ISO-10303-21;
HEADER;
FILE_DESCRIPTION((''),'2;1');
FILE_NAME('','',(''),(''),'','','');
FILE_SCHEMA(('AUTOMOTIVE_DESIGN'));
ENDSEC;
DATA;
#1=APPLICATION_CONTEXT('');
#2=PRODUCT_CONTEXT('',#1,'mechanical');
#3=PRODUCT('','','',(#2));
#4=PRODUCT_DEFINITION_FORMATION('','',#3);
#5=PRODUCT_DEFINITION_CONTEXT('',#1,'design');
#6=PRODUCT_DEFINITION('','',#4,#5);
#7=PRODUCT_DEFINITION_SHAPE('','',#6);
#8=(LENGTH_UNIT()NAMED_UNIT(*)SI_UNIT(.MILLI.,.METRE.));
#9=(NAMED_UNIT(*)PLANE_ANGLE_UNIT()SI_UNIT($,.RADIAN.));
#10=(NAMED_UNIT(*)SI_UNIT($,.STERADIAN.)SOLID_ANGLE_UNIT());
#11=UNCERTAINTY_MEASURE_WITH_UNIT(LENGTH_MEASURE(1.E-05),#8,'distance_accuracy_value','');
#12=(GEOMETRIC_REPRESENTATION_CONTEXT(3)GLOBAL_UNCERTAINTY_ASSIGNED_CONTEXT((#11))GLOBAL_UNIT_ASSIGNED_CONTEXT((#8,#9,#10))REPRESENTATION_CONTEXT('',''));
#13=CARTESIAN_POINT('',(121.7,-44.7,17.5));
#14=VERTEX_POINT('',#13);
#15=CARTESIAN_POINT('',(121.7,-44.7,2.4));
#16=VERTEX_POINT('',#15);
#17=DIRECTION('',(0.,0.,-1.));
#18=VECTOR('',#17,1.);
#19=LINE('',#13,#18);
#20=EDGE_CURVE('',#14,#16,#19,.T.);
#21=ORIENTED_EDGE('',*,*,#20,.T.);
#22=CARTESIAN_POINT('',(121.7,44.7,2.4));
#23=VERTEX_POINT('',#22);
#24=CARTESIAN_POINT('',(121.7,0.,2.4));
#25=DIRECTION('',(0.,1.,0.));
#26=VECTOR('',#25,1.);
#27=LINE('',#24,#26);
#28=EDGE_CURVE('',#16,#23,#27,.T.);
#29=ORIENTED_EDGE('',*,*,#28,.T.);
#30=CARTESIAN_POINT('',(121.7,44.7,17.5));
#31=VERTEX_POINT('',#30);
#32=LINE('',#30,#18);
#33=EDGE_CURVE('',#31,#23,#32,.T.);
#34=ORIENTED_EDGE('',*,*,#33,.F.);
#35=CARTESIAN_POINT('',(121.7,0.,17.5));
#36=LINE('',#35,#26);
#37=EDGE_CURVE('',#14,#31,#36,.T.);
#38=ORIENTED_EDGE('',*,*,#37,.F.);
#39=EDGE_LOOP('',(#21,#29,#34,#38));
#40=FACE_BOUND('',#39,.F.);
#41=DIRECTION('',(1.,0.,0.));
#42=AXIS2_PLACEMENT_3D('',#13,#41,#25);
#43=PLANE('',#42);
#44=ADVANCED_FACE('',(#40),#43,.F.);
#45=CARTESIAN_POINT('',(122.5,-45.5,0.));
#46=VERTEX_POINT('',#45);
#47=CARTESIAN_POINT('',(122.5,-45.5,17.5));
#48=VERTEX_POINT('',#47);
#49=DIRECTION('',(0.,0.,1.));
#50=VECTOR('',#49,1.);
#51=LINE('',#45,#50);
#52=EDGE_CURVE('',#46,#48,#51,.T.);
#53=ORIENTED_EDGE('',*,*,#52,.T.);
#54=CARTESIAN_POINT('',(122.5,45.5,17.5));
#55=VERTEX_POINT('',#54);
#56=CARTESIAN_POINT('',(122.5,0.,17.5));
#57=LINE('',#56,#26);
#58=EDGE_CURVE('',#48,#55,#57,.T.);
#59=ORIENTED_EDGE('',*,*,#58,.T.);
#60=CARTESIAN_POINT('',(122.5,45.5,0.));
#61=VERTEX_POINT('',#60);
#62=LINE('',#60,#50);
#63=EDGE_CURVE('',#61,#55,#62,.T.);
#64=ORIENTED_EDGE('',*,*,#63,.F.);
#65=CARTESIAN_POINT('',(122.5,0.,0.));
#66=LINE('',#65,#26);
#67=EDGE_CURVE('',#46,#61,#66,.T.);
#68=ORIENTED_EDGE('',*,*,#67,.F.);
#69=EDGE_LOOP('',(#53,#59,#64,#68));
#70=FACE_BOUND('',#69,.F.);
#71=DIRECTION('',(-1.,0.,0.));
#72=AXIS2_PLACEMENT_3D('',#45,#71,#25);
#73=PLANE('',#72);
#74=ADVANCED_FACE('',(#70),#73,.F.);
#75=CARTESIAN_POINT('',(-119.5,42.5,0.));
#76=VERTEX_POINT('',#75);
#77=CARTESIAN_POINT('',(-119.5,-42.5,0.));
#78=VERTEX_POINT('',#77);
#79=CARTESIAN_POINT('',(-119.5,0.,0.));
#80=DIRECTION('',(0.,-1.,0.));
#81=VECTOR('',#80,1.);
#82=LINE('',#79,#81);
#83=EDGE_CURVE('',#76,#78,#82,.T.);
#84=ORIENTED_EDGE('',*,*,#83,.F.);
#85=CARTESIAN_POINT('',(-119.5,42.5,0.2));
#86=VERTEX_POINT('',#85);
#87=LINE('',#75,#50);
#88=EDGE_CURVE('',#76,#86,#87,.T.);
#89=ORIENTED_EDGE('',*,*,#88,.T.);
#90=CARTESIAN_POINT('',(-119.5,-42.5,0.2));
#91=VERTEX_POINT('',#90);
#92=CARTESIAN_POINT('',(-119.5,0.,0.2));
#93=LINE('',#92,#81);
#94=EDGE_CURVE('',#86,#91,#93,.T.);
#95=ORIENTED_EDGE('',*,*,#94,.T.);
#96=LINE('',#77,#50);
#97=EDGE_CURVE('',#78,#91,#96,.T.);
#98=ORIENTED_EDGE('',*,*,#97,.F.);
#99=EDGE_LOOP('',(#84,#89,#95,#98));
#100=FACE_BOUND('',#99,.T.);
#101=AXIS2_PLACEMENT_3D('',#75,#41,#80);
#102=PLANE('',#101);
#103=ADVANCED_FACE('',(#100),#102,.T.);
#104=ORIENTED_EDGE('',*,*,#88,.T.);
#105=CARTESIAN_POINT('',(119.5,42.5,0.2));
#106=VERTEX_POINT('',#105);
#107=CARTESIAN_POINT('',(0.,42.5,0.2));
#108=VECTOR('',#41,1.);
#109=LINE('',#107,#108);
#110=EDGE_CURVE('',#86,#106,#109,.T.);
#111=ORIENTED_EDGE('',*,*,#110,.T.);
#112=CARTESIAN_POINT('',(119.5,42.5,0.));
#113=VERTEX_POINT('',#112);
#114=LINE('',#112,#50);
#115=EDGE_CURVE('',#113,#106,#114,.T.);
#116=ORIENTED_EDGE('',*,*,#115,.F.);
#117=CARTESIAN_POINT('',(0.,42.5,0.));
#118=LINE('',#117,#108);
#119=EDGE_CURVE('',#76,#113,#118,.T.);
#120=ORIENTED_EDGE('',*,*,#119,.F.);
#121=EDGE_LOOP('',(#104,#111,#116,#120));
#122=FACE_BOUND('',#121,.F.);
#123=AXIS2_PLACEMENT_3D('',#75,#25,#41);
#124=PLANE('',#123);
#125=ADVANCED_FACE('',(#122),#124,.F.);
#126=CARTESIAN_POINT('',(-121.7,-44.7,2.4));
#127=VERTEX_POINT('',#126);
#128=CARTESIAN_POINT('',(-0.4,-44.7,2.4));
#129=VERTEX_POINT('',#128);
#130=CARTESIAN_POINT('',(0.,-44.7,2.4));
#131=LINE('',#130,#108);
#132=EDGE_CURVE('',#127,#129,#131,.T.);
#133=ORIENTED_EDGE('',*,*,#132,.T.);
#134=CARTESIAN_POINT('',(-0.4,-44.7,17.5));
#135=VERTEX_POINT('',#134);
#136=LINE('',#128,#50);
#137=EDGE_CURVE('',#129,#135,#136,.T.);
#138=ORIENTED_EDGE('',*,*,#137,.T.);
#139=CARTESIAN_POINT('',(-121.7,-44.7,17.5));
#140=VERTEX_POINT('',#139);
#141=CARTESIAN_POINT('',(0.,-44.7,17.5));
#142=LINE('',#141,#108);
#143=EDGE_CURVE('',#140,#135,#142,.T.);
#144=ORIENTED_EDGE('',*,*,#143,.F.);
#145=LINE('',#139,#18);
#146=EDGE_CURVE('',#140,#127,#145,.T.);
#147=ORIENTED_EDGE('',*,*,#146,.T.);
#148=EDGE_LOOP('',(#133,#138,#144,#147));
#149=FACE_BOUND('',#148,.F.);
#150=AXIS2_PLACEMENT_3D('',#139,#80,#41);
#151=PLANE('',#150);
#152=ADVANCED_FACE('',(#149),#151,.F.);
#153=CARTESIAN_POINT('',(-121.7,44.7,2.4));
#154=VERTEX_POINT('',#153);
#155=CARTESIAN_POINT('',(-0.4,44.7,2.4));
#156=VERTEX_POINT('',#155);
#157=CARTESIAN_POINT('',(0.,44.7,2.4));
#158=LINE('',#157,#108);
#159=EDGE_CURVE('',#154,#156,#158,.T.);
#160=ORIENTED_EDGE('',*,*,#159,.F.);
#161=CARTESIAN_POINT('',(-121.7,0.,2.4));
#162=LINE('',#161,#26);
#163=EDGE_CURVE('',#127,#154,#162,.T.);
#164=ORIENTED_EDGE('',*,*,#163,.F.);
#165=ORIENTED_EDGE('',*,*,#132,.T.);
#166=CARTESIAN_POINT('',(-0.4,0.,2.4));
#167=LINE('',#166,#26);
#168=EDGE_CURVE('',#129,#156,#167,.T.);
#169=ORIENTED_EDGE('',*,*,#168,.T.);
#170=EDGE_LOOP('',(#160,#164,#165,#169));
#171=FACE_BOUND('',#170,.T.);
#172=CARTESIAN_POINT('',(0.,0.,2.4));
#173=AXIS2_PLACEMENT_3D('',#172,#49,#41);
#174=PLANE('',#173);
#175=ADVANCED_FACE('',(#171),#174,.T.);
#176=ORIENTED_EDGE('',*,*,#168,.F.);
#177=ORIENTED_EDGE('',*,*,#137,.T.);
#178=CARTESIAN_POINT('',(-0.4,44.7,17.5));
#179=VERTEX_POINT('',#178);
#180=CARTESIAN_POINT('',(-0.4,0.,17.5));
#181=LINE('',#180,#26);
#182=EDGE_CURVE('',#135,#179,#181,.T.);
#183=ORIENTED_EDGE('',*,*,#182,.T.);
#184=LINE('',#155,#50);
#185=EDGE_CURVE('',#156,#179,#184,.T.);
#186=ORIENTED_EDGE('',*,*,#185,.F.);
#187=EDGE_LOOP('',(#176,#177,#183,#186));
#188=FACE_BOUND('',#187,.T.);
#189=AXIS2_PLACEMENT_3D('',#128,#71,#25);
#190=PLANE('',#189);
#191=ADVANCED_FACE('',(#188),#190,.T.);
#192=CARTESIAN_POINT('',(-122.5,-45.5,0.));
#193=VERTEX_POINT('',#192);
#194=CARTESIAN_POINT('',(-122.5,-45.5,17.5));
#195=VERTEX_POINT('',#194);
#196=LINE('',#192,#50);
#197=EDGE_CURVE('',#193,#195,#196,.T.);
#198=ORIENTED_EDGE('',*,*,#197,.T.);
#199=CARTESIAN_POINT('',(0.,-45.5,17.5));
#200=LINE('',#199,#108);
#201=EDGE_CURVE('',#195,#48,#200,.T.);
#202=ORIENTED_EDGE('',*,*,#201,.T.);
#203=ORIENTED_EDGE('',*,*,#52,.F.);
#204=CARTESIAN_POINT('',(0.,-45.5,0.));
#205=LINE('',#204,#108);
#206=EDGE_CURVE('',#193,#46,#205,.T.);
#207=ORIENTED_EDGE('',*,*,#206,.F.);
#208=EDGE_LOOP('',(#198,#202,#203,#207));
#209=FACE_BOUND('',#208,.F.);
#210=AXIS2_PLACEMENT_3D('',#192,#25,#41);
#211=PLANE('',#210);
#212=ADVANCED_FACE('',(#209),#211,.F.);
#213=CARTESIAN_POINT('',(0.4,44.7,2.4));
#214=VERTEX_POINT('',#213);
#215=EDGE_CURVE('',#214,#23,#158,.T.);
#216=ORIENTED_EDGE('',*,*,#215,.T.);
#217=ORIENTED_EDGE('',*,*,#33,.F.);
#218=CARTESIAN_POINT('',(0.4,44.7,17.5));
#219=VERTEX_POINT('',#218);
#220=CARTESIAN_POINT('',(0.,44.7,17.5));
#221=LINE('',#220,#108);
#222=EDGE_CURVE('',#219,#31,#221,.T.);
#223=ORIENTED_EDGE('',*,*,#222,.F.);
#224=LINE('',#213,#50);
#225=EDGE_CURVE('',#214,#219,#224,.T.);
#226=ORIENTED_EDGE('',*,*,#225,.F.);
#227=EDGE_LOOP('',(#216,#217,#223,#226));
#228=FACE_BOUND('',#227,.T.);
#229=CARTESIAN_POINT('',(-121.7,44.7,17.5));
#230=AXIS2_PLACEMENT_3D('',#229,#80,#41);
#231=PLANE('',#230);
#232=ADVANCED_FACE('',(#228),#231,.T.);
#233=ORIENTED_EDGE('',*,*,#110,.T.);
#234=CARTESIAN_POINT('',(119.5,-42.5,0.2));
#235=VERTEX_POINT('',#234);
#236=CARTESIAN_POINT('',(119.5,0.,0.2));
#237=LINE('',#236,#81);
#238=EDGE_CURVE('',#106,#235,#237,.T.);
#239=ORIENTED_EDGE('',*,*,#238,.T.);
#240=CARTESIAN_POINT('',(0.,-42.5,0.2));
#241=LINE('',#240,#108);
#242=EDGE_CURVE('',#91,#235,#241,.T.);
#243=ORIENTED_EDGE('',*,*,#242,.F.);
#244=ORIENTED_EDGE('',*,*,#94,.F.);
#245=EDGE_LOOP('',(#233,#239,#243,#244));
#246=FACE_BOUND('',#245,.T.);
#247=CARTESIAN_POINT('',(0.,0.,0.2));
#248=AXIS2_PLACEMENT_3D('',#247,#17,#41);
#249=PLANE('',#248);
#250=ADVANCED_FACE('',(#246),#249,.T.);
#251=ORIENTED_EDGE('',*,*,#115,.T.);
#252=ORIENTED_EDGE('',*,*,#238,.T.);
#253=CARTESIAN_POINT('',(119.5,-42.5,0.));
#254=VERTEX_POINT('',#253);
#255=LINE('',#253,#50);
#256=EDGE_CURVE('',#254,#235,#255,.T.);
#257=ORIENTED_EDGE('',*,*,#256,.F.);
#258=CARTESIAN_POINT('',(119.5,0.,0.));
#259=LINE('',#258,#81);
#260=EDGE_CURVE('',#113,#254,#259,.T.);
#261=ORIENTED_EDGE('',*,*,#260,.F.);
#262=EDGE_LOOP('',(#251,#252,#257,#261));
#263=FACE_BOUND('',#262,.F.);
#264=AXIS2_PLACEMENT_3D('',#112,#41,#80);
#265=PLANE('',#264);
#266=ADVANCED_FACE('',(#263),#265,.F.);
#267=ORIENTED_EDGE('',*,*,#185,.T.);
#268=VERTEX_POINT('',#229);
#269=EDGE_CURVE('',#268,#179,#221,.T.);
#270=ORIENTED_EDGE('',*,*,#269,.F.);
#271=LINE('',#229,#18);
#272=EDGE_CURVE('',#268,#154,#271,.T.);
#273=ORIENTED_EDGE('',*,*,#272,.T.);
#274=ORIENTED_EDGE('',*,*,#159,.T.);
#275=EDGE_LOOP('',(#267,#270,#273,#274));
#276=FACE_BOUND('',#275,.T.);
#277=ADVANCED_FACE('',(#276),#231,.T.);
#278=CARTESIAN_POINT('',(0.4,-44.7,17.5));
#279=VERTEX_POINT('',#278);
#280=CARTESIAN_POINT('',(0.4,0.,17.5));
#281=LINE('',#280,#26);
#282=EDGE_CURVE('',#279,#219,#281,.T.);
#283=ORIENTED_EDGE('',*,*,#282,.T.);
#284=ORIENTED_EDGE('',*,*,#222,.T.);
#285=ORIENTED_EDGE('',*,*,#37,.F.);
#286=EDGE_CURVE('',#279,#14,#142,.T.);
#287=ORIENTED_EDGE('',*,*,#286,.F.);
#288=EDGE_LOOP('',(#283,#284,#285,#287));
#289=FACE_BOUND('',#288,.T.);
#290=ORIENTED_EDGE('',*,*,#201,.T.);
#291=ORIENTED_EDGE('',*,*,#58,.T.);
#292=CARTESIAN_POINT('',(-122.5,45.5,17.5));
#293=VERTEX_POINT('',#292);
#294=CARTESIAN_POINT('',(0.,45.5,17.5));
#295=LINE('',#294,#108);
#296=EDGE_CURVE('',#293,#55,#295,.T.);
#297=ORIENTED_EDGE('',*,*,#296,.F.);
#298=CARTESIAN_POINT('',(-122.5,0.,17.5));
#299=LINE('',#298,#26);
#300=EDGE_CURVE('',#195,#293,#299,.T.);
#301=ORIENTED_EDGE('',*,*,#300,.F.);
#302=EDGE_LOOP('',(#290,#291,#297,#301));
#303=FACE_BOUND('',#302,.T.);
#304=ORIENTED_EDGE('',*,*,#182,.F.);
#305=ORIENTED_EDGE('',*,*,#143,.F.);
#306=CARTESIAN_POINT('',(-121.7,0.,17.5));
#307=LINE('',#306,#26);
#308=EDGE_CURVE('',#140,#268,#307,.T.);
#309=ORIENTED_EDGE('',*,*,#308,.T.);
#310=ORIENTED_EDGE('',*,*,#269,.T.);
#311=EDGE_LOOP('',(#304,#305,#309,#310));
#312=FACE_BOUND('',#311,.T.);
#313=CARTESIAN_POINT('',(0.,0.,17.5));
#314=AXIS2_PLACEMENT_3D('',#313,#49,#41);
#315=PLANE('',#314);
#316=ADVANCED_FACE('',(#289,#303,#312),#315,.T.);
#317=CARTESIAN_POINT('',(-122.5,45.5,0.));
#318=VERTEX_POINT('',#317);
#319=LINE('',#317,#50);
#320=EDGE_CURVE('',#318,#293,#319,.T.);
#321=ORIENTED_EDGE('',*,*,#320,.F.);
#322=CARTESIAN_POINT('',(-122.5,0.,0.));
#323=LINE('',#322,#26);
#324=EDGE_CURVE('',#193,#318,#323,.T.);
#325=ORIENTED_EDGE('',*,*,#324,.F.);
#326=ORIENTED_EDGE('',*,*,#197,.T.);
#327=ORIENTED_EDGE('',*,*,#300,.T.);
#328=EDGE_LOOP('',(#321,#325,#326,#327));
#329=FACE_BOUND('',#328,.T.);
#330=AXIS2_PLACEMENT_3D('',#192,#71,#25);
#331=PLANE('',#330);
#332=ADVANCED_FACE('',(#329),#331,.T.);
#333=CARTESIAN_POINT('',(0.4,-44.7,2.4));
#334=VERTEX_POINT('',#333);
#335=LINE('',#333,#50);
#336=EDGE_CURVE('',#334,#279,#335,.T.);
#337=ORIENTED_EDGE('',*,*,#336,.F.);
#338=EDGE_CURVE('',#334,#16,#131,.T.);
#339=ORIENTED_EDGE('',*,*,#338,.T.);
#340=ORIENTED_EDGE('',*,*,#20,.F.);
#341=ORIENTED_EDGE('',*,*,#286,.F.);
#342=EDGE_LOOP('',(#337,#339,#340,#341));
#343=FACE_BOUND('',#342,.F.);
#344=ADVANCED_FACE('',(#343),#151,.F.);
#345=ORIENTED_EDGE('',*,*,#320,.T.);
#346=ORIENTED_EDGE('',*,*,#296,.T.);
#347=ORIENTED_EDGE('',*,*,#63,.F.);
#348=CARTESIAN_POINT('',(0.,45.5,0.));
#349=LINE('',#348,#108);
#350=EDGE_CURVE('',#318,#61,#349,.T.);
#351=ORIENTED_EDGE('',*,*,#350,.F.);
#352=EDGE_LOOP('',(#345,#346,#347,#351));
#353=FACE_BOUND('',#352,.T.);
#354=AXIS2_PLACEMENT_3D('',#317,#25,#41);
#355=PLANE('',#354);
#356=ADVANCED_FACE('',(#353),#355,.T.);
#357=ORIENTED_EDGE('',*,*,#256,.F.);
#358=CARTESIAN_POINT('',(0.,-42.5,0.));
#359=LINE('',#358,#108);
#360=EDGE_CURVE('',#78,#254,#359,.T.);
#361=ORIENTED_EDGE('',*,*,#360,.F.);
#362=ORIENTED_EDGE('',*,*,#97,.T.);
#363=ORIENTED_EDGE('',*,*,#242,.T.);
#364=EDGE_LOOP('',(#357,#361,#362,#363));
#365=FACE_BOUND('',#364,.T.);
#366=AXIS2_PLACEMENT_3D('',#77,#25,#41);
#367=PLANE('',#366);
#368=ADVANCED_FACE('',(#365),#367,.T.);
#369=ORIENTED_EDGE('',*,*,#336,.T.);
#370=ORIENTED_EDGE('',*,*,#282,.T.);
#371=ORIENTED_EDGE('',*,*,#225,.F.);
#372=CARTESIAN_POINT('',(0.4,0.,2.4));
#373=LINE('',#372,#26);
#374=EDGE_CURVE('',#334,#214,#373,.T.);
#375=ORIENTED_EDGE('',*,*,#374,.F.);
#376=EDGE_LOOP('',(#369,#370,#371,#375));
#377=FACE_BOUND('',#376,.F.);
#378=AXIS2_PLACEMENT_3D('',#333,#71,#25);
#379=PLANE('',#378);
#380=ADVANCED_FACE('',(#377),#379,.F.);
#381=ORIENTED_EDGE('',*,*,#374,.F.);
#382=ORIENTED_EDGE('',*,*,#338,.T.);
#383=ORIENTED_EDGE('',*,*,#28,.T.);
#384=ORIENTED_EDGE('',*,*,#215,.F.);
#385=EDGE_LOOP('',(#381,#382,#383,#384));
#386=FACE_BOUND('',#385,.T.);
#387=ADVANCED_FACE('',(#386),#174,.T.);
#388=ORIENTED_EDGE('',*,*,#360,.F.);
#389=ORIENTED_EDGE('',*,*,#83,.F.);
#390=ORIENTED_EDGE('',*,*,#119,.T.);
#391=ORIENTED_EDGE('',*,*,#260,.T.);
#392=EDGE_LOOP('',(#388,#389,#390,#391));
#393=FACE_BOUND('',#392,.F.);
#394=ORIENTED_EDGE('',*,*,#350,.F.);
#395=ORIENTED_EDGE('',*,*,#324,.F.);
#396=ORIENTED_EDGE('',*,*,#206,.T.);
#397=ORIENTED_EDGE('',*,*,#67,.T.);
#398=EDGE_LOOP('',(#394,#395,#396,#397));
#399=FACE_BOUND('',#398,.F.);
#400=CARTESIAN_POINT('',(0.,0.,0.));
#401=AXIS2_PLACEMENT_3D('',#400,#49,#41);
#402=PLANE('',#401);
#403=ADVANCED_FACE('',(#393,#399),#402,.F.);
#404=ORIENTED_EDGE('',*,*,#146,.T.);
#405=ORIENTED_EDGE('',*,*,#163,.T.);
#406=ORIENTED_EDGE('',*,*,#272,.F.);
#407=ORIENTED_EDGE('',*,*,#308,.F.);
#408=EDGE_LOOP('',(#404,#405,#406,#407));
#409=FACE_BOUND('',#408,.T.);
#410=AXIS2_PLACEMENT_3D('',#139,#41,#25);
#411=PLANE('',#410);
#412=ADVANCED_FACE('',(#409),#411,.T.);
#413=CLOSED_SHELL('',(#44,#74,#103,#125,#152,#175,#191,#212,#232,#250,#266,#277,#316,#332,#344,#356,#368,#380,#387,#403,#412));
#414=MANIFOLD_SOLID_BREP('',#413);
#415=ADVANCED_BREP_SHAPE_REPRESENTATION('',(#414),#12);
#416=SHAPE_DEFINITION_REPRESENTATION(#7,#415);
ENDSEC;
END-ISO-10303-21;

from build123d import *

# Parameters (mm, degrees)
F0_W     = 245
F0_H     = 91
F1_DEPTH = 17.5
F2_W     = 243.4
F2_H     = 89.4
F3_DEPTH = 15.1
F4_W     = 0.8
F4_H     = 89.4
F5_DEPTH = 15.1
F6_W     = 239
F6_H     = 85
F7_DEPTH = 0.2


with BuildPart() as f1:
    # F0 (on Top) → F1 (new body)
    with BuildSketch(Plane.XY):
        Rectangle(F0_W, F0_H)
    extrude(amount=F1_DEPTH)

    # F2 (on face) → F3 (cut)
    with BuildSketch(Plane.XY.offset(17.5)):
        Rectangle(F2_W, F2_H)
    extrude(amount=-F3_DEPTH, mode=Mode.SUBTRACT)

    # F4 (on face) → F5 (join)
    with BuildSketch(Plane.XY.offset(2.4)):
        Rectangle(F4_W, F4_H)
    extrude(amount=F5_DEPTH)

    # F6 (on face) → F7 (cut)
    with BuildSketch(Plane(origin=(0, 0, 0), x_dir=(1, 0, 0), z_dir=(0, 0, -1))):
        Rectangle(F6_W, F6_H)
    extrude(amount=-F7_DEPTH, mode=Mode.SUBTRACT)


solid = f1.part
